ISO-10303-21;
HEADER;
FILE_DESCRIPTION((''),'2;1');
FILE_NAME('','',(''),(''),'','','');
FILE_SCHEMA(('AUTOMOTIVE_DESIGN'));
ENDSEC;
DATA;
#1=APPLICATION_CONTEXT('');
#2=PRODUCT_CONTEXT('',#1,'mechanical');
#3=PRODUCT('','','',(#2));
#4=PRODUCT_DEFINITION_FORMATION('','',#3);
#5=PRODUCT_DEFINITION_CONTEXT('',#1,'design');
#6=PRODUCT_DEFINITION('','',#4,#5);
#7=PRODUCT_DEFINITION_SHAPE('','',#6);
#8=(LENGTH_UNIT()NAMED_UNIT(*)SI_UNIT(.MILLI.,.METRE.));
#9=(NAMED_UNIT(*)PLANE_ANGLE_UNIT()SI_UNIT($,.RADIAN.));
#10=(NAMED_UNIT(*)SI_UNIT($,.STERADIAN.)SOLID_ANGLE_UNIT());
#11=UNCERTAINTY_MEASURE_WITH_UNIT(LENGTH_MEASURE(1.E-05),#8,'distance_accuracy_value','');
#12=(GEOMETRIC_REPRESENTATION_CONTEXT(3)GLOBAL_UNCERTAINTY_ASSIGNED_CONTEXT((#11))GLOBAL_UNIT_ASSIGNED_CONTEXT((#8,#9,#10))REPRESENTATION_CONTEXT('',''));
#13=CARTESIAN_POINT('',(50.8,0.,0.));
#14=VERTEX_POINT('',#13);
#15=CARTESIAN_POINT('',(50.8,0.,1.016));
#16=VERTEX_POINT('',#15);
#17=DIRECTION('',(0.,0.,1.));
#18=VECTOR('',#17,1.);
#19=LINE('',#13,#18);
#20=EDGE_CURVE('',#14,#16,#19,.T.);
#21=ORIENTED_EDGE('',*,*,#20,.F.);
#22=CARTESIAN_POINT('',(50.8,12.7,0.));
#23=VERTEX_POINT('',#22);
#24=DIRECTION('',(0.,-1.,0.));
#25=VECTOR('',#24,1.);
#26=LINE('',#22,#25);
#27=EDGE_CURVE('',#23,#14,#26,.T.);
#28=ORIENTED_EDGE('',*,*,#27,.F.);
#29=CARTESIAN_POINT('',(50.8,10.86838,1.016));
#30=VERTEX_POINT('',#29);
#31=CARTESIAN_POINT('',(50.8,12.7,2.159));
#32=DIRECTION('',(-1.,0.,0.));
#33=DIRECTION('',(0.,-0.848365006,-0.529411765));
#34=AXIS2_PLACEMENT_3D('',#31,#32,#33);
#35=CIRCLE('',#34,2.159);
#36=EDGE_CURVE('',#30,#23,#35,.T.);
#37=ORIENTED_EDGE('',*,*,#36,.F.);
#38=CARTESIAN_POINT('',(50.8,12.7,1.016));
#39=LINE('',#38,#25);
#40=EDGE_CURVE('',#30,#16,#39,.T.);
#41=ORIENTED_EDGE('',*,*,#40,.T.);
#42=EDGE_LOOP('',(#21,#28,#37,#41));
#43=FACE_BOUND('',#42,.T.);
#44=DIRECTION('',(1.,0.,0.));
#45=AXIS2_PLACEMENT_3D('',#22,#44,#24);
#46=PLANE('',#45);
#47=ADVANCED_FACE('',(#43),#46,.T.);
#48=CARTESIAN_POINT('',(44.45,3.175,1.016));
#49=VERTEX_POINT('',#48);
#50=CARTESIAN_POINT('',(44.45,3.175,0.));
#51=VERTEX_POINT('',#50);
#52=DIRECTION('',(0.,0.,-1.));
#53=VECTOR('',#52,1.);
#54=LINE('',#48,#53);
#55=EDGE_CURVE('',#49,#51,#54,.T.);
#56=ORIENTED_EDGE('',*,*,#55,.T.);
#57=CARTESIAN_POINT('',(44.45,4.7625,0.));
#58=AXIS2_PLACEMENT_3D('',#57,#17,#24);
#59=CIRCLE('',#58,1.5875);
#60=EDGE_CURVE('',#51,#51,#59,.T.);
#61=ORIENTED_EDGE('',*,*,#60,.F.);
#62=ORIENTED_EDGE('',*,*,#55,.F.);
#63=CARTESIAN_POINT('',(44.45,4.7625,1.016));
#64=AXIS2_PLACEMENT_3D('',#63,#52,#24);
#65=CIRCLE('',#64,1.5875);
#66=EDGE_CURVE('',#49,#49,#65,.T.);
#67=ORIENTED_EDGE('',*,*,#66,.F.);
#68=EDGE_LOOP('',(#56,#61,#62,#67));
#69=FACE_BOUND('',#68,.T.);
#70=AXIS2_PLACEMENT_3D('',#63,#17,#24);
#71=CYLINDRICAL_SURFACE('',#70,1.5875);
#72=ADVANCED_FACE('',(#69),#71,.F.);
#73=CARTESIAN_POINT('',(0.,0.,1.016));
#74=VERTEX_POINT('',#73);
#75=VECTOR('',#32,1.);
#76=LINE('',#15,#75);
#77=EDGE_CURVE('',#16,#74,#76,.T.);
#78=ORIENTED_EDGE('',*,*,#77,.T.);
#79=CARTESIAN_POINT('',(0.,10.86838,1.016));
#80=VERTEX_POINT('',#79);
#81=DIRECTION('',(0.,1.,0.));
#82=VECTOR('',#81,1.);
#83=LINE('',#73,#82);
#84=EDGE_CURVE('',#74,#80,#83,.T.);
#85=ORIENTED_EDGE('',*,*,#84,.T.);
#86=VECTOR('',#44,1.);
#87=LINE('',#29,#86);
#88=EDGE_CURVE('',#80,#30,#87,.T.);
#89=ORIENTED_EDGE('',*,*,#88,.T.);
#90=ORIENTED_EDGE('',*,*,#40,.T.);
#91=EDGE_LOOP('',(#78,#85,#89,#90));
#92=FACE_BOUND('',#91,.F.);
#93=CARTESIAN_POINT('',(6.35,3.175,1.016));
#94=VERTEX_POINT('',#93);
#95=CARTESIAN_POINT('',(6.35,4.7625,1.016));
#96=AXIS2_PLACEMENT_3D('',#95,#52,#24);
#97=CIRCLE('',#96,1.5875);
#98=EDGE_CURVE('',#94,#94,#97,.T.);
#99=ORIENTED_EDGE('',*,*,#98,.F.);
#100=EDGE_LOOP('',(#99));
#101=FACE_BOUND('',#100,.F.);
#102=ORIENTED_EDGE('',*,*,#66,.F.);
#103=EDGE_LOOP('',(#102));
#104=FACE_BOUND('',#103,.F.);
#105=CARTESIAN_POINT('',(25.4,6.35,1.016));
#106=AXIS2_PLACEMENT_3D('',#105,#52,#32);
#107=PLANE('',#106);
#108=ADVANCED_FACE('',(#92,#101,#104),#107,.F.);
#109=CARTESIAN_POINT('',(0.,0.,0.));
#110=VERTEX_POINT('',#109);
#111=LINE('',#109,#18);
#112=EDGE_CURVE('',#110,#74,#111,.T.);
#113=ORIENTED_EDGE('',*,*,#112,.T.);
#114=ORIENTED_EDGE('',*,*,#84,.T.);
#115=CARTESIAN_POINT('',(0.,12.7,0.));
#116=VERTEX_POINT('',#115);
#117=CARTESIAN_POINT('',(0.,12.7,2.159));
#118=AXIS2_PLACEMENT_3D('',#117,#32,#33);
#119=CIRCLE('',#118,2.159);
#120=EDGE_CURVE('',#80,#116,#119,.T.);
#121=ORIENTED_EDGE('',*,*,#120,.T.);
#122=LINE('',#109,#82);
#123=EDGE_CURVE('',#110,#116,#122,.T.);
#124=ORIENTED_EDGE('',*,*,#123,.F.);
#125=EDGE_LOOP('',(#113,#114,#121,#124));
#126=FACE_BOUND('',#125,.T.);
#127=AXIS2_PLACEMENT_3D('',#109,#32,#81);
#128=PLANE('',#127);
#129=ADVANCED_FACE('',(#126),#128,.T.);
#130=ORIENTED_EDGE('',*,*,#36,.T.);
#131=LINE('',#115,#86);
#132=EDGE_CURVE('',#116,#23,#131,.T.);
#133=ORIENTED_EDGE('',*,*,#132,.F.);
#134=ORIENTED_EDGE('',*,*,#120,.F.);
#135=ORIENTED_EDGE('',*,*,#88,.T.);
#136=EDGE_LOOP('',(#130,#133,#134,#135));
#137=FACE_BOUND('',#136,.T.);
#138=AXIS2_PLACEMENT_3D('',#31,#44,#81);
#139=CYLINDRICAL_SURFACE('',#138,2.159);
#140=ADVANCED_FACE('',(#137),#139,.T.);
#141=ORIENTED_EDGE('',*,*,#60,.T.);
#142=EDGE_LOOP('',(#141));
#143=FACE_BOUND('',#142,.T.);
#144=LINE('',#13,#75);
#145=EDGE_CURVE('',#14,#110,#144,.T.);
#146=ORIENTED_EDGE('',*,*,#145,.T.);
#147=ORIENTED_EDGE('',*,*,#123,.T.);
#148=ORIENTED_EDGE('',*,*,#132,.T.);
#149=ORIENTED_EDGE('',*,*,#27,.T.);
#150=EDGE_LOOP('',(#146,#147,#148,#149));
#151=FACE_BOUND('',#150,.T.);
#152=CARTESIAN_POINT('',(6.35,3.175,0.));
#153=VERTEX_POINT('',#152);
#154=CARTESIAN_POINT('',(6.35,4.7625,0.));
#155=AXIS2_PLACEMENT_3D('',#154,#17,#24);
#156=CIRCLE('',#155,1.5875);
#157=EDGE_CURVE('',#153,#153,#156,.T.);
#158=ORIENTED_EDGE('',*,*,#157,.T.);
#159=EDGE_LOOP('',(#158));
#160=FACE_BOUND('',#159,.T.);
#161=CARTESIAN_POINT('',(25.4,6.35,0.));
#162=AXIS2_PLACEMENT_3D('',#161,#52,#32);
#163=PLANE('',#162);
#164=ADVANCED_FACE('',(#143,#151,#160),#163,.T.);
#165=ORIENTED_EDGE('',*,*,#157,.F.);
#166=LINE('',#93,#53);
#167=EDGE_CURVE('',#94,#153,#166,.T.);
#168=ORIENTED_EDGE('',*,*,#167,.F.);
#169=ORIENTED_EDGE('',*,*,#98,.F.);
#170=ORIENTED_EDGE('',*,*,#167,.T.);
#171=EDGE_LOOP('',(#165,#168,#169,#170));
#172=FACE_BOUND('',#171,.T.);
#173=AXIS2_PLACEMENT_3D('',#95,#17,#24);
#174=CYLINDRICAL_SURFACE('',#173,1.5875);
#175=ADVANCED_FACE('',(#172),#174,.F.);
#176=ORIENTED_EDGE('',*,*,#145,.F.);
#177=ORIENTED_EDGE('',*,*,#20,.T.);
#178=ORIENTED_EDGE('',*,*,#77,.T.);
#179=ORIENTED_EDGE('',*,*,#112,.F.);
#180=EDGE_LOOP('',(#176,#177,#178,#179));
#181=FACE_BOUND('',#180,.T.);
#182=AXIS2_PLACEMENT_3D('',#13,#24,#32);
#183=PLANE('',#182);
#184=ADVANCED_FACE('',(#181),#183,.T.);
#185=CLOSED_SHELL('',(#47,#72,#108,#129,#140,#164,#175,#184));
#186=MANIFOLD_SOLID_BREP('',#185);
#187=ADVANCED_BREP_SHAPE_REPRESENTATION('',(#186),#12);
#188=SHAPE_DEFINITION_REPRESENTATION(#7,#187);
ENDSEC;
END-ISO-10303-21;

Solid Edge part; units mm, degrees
sketch "Sketch1" plane through (0, 0, 0) normal (0, 0, 1) x (1, 0, 0)
  line L0 (0, 0) -> (0, 12.7)
  line L1 (0, 12.7) -> (50.8, 12.7)
  line L2 (50.8, 12.7) -> (50.8, 0)
  line L3 (50.8, 0) -> (0, 0)
  dimension "D1" = 50.8
  dimension "D2" = 12.7
extrude "Protrusion1" add sketch "Sketch1" along normal blind 1.016
sketch "Sketch2" plane through (50.8, 9.525, 0.381) normal (1, 0, 0) x (0, 1, 0)
  circle A0 centre (3.175, 1.778) radius 2.159
  dimension "D1" = 4.318
extrude "ExtrudedProtrusion_2" add sketch "Sketch2" against normal blind 50.8
hole "Hole_1" at (44.45, 4.7625, 1.016) direction (0, 0, -1) diameter 3.175 end up to next
hole "Hole1" at (6.35, 4.7625, 1.016) direction (0, 0, -1) diameter 3.175 end up to next
properties part number "HARDWARE" material "Steel"
